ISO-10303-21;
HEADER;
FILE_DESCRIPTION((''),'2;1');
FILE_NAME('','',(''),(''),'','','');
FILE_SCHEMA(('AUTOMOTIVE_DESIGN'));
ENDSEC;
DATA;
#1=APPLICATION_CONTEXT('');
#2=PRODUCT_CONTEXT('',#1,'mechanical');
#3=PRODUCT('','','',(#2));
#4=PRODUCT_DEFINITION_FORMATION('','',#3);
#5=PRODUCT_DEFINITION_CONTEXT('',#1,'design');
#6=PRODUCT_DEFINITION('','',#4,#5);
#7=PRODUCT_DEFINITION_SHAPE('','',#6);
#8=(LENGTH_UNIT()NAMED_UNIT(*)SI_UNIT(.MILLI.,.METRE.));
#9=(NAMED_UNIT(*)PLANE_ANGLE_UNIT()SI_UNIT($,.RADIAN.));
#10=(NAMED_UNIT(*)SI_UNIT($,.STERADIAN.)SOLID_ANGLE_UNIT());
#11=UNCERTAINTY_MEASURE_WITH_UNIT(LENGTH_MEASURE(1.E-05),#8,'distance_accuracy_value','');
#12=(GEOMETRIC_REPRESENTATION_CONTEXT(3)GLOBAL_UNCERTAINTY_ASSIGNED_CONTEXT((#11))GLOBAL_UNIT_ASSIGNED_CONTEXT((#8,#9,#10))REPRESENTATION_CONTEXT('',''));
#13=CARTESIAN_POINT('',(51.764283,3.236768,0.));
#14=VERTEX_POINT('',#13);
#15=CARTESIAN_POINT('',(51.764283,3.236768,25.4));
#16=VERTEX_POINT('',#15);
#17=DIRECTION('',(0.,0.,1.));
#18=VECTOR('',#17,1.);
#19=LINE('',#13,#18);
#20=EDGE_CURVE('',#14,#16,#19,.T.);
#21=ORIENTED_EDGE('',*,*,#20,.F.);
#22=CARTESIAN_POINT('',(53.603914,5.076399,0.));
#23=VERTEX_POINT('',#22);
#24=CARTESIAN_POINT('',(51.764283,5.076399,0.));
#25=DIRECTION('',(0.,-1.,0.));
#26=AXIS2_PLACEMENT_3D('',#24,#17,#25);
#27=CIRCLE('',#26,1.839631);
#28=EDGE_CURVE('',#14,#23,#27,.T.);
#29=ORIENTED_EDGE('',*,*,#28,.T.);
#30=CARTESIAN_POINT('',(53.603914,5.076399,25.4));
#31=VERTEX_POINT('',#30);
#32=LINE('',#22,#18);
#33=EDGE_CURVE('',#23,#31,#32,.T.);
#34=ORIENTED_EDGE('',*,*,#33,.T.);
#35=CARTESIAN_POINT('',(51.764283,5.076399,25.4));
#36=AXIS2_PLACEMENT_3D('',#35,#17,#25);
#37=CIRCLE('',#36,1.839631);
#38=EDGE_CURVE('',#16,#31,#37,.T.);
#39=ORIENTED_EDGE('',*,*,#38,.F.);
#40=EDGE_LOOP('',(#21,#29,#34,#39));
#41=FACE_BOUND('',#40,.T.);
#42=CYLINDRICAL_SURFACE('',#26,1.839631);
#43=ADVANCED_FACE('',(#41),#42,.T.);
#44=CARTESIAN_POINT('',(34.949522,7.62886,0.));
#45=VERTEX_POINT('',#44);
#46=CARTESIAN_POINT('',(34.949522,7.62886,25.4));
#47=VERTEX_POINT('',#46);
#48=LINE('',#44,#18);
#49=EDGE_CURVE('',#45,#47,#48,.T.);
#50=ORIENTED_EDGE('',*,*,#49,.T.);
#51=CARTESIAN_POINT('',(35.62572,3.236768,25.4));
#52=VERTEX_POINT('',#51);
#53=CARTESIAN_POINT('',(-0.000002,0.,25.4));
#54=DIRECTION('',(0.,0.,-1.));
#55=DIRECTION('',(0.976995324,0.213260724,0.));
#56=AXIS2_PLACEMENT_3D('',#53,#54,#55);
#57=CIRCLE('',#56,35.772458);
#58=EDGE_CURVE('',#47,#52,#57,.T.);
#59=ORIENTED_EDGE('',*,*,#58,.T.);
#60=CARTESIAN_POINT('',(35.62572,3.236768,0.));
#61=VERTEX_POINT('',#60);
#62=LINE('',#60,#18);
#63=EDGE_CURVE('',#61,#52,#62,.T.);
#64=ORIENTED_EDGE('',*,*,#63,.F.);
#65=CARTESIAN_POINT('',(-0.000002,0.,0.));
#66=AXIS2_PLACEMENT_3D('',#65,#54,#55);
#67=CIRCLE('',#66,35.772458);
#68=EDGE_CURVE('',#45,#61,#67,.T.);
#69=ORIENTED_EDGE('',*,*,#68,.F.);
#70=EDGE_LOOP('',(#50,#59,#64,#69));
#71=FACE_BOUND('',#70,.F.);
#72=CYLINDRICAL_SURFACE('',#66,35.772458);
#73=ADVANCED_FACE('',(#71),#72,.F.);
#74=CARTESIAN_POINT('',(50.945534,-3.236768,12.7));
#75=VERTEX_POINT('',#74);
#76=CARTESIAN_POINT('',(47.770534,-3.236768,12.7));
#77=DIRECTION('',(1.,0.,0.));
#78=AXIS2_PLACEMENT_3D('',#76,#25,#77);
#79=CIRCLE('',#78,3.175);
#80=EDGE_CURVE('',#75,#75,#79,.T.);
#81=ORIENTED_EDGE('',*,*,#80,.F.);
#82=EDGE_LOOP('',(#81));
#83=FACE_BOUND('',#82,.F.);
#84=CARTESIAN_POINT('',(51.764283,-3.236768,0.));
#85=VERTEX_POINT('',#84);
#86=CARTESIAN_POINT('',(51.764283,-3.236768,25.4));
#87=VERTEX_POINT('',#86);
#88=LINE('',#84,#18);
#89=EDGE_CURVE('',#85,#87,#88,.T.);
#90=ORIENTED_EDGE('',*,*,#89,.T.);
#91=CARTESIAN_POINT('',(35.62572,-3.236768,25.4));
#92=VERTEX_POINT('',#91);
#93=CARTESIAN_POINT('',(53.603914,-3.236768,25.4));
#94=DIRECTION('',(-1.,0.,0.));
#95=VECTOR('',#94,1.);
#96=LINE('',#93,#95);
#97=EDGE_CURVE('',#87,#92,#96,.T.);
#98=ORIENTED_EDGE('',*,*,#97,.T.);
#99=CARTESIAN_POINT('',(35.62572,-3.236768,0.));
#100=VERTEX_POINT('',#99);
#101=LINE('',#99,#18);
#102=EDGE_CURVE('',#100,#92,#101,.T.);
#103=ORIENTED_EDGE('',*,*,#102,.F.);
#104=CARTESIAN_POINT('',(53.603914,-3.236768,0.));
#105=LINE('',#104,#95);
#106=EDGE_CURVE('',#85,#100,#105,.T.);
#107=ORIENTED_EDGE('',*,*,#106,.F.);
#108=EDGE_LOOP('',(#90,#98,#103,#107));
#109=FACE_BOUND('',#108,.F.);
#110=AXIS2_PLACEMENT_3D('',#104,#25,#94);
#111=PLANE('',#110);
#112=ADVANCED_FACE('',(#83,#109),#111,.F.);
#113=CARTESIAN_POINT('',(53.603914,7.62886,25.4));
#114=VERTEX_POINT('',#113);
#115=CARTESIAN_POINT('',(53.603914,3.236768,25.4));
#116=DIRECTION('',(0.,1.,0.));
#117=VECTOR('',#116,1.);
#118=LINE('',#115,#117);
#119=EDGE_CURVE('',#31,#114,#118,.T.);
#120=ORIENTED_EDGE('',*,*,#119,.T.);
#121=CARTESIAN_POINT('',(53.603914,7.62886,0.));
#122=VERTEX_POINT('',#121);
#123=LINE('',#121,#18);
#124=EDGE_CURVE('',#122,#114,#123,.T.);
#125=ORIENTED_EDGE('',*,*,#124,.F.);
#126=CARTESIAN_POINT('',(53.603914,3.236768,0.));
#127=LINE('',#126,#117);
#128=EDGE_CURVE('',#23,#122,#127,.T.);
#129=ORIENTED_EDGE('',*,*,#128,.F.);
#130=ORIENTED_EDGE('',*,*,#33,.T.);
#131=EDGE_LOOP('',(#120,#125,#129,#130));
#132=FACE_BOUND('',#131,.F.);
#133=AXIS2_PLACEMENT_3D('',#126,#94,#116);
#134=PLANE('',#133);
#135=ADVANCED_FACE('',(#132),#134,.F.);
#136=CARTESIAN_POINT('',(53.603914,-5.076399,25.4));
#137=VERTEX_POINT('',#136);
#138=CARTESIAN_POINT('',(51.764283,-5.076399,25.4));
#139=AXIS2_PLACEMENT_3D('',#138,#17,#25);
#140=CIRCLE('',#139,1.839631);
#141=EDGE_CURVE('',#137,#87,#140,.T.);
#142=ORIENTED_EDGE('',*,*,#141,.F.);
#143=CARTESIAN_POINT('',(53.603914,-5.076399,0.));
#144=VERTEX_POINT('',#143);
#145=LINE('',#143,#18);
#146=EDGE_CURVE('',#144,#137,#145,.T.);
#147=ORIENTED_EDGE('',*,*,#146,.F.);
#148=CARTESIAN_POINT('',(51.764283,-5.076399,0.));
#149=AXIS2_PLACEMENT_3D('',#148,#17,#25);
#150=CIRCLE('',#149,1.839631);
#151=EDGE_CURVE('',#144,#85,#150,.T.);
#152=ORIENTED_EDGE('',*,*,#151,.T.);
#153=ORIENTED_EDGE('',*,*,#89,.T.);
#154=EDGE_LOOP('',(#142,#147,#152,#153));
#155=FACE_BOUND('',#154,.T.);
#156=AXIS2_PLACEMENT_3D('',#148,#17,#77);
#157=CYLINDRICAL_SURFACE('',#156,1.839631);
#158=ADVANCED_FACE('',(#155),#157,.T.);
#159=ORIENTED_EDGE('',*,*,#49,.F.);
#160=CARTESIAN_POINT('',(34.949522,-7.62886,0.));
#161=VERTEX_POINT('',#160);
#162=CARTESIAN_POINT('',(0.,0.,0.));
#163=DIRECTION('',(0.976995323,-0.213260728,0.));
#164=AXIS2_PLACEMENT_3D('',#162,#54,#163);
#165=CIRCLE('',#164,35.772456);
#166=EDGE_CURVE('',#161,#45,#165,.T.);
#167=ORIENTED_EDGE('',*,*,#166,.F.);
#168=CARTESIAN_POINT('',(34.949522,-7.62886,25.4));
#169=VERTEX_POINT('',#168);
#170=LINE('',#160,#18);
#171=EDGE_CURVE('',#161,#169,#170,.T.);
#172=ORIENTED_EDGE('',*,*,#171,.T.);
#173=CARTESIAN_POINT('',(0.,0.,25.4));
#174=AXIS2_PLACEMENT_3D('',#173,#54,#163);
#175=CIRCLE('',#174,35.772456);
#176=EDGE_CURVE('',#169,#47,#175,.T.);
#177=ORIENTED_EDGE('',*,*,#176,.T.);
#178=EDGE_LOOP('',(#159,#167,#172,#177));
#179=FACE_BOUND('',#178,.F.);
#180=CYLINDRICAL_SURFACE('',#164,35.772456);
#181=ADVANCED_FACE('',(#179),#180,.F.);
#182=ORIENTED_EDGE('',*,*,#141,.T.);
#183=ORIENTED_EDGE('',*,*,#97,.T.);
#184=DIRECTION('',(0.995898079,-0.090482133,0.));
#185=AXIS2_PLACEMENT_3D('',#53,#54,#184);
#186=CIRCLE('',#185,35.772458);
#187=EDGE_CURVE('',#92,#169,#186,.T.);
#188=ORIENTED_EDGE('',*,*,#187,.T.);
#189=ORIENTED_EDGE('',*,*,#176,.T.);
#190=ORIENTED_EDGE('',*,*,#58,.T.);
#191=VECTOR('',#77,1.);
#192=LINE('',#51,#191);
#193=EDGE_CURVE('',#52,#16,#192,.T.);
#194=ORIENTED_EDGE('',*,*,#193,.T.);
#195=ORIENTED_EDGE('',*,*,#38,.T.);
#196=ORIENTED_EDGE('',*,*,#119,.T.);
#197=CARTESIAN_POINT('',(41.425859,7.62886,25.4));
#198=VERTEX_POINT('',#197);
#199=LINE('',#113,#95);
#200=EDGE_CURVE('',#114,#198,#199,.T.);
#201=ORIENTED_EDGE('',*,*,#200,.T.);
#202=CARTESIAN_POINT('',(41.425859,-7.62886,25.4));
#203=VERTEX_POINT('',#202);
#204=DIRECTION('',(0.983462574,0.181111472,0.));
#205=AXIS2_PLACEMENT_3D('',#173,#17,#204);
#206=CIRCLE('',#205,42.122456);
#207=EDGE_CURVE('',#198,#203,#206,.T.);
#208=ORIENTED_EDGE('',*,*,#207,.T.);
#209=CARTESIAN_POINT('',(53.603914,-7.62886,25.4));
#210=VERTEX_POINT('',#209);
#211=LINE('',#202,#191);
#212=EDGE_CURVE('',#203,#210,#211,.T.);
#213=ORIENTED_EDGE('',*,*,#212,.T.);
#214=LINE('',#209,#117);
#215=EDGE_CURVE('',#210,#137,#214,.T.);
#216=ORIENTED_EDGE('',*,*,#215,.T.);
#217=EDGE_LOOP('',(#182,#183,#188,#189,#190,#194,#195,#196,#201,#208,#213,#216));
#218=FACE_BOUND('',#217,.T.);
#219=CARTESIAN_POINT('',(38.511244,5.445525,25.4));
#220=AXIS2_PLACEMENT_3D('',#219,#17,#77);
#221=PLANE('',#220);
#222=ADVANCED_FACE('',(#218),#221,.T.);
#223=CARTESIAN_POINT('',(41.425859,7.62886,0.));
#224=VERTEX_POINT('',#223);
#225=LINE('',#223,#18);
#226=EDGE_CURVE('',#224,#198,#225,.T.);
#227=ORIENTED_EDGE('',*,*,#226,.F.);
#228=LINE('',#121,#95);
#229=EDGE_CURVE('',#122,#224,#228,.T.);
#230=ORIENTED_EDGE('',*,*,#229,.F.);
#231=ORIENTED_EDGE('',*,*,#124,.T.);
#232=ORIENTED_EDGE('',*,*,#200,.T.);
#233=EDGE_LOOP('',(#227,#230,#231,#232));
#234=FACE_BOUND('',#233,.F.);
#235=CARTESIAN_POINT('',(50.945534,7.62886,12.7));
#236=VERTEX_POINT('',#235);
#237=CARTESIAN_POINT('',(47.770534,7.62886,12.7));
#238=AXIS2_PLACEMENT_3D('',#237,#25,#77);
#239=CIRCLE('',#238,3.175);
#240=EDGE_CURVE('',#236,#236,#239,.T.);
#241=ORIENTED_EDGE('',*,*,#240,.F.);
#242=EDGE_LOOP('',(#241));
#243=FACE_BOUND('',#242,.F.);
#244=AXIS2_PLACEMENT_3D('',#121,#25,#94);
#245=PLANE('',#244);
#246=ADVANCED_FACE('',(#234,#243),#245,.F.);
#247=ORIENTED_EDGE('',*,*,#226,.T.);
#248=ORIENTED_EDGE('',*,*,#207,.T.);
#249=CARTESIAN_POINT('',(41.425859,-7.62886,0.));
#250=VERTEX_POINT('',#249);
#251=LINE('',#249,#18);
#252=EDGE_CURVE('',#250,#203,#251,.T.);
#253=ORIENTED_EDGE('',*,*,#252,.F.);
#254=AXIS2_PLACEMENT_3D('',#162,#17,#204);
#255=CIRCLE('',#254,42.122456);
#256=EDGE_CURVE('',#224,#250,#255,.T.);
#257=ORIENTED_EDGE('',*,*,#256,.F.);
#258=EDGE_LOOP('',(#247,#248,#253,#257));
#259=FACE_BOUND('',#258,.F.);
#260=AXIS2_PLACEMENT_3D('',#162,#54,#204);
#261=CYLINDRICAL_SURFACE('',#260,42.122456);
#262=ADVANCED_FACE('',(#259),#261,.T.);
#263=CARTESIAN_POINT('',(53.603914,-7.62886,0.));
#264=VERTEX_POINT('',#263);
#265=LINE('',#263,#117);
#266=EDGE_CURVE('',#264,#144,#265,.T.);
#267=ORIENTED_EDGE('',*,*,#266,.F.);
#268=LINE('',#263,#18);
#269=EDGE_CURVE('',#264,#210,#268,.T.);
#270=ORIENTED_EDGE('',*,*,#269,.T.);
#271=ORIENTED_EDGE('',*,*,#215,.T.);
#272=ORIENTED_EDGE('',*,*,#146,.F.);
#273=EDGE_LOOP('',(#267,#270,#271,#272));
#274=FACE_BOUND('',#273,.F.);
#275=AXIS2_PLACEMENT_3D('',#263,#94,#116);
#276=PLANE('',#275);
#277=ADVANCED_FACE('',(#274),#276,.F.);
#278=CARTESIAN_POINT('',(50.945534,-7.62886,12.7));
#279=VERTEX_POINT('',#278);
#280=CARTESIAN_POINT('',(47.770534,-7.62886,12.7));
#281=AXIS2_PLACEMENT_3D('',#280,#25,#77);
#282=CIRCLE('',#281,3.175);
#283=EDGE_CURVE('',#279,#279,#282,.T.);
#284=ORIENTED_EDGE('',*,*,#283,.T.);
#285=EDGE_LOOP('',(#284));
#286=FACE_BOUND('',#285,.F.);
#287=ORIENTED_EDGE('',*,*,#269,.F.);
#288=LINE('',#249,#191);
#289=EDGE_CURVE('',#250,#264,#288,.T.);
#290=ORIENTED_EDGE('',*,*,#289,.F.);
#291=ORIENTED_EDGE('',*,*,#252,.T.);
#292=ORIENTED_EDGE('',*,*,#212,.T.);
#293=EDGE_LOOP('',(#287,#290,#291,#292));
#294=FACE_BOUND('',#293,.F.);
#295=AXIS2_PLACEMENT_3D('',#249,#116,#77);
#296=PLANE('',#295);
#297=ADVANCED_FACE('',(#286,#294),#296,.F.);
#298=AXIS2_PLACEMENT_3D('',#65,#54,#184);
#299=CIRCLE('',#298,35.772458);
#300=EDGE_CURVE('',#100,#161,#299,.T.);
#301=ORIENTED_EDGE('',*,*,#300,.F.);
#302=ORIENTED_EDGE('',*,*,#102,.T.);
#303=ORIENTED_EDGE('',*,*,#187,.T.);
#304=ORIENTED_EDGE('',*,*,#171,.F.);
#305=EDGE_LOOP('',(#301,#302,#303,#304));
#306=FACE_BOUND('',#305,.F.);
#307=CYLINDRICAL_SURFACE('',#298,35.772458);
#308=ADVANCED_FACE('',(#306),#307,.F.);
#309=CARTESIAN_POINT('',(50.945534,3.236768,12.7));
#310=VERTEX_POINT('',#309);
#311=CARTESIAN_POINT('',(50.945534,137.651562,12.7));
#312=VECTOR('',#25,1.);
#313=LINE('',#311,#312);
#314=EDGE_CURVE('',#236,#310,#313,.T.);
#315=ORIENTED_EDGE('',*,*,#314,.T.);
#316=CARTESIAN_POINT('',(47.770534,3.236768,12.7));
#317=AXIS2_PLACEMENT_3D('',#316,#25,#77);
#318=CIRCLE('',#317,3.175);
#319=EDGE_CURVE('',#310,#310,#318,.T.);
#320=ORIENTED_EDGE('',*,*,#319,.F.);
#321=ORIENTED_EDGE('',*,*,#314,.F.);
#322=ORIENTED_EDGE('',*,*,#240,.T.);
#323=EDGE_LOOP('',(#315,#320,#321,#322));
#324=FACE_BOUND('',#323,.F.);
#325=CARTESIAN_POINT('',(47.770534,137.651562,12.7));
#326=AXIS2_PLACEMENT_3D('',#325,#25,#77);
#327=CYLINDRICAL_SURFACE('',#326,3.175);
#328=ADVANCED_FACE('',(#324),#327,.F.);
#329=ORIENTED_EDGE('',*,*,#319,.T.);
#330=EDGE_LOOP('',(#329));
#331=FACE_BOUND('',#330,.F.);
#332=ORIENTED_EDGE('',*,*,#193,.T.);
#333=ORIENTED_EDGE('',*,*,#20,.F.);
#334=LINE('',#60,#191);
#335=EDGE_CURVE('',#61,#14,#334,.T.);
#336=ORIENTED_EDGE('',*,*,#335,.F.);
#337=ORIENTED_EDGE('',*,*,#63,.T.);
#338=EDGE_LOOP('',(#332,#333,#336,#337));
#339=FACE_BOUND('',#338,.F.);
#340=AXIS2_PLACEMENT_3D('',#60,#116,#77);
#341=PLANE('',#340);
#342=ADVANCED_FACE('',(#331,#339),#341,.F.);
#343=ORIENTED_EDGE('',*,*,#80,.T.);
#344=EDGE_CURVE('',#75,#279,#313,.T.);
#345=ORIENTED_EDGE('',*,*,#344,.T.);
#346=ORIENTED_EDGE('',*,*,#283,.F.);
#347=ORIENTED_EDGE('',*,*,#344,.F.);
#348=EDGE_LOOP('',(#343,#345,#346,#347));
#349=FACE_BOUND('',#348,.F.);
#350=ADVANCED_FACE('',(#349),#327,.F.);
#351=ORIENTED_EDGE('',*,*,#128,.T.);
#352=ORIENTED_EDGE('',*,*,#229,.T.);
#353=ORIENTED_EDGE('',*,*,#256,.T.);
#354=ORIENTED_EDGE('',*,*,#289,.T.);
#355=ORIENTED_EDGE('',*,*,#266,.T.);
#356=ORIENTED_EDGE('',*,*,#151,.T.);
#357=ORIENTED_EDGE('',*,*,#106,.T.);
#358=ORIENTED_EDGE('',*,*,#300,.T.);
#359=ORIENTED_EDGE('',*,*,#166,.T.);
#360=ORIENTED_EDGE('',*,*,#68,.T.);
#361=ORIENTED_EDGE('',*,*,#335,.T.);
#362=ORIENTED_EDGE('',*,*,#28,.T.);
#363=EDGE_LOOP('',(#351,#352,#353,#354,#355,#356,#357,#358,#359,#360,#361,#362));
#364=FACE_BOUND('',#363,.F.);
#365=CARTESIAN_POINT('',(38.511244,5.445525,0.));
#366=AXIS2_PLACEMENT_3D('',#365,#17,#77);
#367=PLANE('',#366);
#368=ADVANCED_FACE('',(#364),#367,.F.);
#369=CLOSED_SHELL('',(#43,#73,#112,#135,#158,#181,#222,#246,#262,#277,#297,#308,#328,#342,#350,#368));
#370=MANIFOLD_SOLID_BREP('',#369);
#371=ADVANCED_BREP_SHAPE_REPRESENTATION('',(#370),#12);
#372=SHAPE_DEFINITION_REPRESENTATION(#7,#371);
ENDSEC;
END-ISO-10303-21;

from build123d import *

# Parameters (mm, degrees)
F1_DEPTH = 25.4
F3_D     = 6.35
F4_R     = 1.839631


with BuildPart() as f1:
    # F0 (on Top) → F1 (new body)
    with BuildSketch(Plane.XY):
        with BuildLine():
            ThreePointArc((34.949522, 7.62886), (35.355888, 5.443324), (35.62572, 3.236768))
            Line((35.62572, 3.236768), (41.997912, 3.236768))
            ThreePointArc((41.997912, 3.236768), (41.769655, 5.440338), (41.425859, 7.62886))
            Line((41.425859, 7.62886), (34.949522, 7.62886))
        make_face()
        with BuildLine():
            ThreePointArc((34.949522, -7.62886), (-35.772456, 0), (34.949522, 7.62886))
            Line((34.949522, 7.62886), (41.425859, 7.62886))
            ThreePointArc((41.425859, 7.62886), (-42.122456, 0), (41.425859, -7.62886))
            Line((41.425859, -7.62886), (34.949522, -7.62886))
        make_face()
        with BuildLine():
            ThreePointArc((41.425859, 7.62886), (41.769655, 5.440338), (41.997912, 3.236768))
            Line((41.997912, 3.236768), (53.603914, 3.236768))
            Line((53.603914, 3.236768), (53.603914, 7.62886))
            Line((53.603914, 7.62886), (41.425859, 7.62886))
        make_face()
        with BuildLine():
            ThreePointArc((35.62572, -3.236768), (35.355888, -5.443324), (34.949522, -7.62886))
            Line((34.949522, -7.62886), (41.425859, -7.62886))
            ThreePointArc((41.425859, -7.62886), (41.769655, -5.440338), (41.997912, -3.236768))
            Line((41.997912, -3.236768), (35.62572, -3.236768))
        make_face()
        with BuildLine():
            ThreePointArc((41.997912, -3.236768), (41.769655, -5.440338), (41.425859, -7.62886))
            Line((41.425859, -7.62886), (53.603914, -7.62886))
            Line((53.603914, -7.62886), (53.603914, -3.236768))
            Line((53.603914, -3.236768), (41.997912, -3.236768))
        make_face()
    extrude(amount=F1_DEPTH)

    # F3 (through all)
    with Locations(Plane(origin=(0, 7.62886, 0), x_dir=(-1, 0, 0), z_dir=(0, 1, 0))):
        with Locations((-47.770534, 12.7)):
            Hole(F3_D / 2)

    # F4
    f4_edges = [f1.edges().sort_by_distance(p)[0] for p in [
        (53.603914, 3.236768, 12.7),
        (53.603914, -3.236768, 12.7),
    ]]
    fillet(f4_edges, radius=F4_R)


solid = f1.part
